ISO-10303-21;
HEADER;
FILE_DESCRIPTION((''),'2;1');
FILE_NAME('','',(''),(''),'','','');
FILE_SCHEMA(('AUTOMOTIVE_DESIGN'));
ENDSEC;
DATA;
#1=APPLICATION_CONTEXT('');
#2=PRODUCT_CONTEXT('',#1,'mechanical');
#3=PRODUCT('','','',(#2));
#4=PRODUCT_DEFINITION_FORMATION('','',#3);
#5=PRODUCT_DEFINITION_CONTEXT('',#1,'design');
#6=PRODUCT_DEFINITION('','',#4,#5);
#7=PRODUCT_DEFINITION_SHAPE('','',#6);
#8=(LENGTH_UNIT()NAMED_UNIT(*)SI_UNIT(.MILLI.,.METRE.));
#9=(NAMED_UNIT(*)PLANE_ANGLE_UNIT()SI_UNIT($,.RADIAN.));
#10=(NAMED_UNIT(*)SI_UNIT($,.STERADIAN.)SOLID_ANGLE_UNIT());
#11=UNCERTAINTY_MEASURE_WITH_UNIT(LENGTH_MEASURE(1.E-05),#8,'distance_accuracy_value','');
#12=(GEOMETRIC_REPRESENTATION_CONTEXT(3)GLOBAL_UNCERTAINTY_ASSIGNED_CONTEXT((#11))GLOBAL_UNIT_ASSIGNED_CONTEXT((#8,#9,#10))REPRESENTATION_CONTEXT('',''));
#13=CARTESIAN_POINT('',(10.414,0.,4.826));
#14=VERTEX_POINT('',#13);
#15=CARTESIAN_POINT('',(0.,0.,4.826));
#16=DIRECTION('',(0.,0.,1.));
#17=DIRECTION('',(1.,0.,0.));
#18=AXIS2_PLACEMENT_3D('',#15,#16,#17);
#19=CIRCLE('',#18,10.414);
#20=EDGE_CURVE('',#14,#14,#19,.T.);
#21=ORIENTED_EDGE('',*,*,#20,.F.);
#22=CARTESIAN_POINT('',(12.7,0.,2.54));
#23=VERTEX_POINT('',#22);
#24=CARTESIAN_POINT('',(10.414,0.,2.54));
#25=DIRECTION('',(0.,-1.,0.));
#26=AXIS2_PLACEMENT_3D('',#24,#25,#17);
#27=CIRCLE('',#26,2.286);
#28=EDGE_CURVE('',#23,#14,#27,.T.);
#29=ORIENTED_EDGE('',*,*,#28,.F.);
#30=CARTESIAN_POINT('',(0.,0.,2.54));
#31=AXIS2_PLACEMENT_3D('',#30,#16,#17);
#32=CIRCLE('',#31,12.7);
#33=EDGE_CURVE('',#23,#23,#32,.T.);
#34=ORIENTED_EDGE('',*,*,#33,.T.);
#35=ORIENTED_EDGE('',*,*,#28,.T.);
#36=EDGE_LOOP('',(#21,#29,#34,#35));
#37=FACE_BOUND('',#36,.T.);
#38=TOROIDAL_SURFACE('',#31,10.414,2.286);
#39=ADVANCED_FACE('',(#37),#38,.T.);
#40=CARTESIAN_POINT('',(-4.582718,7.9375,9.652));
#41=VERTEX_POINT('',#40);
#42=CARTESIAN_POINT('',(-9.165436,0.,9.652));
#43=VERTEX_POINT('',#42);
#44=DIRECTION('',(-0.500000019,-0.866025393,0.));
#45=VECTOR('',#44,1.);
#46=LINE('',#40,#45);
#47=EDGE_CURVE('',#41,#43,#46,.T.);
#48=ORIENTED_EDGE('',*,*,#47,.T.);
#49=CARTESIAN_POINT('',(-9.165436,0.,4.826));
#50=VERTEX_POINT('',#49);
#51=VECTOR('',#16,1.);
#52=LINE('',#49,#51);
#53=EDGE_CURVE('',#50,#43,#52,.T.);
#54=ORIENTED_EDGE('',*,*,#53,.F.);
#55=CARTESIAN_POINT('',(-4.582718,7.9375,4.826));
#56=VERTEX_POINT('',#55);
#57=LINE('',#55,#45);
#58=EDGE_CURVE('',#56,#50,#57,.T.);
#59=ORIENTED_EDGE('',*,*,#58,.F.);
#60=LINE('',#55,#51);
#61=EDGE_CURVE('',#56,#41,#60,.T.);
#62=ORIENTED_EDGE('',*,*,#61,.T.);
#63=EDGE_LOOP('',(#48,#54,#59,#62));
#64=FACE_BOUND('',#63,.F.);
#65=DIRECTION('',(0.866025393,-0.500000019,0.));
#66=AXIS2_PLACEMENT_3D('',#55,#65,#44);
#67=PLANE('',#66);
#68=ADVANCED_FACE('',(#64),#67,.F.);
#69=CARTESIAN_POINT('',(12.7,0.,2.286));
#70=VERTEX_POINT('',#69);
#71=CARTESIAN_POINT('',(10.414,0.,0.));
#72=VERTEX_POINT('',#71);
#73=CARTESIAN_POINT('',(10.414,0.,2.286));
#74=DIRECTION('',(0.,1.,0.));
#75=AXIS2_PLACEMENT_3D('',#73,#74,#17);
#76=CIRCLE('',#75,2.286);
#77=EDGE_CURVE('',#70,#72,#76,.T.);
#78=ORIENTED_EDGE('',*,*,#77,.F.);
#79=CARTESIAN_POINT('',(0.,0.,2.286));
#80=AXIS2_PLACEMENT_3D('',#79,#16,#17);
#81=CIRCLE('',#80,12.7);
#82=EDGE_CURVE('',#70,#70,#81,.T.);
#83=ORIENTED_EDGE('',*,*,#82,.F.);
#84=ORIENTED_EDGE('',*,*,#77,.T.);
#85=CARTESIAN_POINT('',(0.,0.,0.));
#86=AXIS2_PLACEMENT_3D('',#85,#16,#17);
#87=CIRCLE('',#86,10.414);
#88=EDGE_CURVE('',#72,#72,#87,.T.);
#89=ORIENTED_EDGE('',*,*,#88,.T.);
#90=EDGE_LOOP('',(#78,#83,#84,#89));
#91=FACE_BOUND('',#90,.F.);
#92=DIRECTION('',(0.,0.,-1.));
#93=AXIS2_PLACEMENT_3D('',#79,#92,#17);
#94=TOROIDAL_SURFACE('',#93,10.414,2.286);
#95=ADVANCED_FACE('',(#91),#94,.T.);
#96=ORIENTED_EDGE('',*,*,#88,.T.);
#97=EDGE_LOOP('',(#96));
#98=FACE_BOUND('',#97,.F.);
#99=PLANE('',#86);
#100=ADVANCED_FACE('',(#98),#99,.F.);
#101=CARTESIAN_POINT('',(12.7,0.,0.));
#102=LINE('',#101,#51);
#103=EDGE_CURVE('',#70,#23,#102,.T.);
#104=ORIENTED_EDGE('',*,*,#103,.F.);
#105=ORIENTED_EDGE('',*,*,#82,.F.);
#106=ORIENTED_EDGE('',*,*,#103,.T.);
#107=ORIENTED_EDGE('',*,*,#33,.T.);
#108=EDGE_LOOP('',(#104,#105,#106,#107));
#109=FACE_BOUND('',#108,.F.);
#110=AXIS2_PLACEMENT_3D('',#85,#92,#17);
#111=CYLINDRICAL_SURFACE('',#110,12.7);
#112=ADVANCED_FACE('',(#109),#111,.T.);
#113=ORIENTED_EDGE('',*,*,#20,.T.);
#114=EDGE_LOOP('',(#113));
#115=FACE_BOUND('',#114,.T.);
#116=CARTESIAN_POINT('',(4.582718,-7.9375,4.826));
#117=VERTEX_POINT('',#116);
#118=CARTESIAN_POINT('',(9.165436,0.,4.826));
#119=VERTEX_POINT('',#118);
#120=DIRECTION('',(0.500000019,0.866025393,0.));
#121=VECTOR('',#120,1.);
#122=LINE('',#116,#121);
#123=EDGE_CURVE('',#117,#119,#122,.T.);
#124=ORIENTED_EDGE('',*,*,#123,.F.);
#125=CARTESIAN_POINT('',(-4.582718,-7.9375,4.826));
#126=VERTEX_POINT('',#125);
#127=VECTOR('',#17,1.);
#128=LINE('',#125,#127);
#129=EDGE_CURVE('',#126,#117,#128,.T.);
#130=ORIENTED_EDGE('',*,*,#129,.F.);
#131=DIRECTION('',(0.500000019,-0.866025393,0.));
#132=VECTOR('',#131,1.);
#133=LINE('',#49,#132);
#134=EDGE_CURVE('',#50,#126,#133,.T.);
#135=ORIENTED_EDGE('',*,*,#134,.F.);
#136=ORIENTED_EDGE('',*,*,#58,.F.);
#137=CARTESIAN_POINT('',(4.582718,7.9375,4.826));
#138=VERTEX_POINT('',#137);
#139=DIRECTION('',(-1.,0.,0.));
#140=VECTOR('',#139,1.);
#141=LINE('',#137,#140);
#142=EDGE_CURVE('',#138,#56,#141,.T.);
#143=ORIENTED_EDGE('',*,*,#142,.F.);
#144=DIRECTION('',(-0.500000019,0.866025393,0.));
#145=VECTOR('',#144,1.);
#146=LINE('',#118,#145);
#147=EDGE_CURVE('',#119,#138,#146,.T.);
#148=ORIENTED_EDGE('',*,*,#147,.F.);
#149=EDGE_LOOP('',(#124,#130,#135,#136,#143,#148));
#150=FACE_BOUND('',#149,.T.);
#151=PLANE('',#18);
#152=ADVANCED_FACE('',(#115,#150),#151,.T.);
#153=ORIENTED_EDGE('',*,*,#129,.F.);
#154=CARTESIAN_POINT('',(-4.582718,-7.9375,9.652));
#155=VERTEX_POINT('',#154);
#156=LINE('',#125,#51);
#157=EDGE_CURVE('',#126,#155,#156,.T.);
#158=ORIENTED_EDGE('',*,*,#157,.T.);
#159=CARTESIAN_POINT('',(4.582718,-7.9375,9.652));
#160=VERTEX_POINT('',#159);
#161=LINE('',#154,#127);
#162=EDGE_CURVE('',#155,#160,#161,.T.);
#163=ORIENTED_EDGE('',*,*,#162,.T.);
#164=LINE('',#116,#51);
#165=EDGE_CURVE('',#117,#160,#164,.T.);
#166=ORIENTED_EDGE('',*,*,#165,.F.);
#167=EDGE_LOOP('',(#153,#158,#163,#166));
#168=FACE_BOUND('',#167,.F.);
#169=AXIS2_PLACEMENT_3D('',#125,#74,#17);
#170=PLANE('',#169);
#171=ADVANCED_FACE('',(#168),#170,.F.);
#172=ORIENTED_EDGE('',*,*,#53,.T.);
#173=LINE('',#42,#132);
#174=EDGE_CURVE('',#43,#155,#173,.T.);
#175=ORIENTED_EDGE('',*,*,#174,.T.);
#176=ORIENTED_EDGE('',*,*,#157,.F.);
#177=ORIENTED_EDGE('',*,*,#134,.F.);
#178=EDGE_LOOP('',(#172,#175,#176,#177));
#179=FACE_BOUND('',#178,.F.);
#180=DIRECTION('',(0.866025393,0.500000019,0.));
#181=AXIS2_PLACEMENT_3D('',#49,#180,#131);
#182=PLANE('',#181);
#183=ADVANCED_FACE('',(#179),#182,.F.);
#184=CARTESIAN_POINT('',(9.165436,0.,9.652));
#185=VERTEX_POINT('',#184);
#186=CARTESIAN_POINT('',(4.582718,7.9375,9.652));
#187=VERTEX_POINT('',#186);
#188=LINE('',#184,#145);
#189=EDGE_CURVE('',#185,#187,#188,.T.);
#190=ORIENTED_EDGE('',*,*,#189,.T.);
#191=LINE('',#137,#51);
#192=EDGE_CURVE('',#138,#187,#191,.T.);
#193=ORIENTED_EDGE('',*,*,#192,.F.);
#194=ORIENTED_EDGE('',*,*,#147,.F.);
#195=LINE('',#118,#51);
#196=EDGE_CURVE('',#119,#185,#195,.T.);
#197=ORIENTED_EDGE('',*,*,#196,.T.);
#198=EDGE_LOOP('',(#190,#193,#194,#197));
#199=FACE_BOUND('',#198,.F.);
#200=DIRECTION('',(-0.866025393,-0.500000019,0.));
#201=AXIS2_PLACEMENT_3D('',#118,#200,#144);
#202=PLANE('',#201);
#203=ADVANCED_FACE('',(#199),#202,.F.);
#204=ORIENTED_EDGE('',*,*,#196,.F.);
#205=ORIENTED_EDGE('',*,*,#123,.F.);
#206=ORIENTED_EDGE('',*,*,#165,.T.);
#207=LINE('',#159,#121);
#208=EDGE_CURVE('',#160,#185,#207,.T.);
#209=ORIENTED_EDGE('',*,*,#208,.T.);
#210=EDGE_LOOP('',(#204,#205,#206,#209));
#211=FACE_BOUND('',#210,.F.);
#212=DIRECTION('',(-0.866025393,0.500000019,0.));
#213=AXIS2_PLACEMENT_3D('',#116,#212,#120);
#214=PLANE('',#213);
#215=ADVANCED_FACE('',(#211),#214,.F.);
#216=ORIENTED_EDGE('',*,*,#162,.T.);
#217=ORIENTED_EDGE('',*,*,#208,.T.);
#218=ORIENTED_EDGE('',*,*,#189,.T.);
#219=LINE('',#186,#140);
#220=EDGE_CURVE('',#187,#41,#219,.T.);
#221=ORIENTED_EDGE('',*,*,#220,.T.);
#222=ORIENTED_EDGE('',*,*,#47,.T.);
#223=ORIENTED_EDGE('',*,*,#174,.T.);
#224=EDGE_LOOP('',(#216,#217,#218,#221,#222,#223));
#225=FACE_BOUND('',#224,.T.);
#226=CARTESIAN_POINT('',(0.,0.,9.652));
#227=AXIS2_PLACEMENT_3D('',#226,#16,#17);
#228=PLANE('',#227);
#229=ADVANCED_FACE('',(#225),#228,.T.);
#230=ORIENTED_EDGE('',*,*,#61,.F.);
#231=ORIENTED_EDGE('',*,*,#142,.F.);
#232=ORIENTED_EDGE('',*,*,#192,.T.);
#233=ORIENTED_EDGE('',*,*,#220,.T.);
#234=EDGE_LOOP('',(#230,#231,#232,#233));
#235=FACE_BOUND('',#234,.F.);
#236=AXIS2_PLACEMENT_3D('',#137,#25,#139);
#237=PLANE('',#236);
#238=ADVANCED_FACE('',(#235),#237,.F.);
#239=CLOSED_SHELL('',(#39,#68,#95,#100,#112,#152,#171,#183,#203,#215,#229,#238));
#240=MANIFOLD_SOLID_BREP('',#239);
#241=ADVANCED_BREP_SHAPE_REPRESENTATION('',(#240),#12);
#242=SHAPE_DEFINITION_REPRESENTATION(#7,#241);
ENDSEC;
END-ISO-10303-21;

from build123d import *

# Parameters (mm, degrees)
F0_R     = 12.7
F1_DEPTH = 4.826
F3_DEPTH = 4.826
F4_R     = 2.286
F5_R     = 2.286


with BuildPart() as f1:
    # F0 (on Top) → F1 (new body)
    with BuildSketch(Plane.XY):
        Circle(F0_R)
    extrude(amount=F1_DEPTH)

    # F2 (on face) → F3 (join)
    with BuildSketch(Plane.XY.offset(4.826)):
        Polygon((4.582718, 7.9375), (-4.582718, 7.9375), (-9.165436, 0), (-4.582718, -7.9375), (4.582718, -7.9375), (9.165436, 0), align=None)
    extrude(amount=F3_DEPTH)

    # F4
    f4_edges = [f1.edges().sort_by_distance(p)[0] for p in [
        (-12.7, 0, 4.826),
    ]]
    fillet(f4_edges, radius=F4_R)

    # F5
    f5_edges = [f1.edges().sort_by_distance(p)[0] for p in [
        (-12.7, 0, 0),
    ]]
    fillet(f5_edges, radius=F5_R)


solid = f1.part
